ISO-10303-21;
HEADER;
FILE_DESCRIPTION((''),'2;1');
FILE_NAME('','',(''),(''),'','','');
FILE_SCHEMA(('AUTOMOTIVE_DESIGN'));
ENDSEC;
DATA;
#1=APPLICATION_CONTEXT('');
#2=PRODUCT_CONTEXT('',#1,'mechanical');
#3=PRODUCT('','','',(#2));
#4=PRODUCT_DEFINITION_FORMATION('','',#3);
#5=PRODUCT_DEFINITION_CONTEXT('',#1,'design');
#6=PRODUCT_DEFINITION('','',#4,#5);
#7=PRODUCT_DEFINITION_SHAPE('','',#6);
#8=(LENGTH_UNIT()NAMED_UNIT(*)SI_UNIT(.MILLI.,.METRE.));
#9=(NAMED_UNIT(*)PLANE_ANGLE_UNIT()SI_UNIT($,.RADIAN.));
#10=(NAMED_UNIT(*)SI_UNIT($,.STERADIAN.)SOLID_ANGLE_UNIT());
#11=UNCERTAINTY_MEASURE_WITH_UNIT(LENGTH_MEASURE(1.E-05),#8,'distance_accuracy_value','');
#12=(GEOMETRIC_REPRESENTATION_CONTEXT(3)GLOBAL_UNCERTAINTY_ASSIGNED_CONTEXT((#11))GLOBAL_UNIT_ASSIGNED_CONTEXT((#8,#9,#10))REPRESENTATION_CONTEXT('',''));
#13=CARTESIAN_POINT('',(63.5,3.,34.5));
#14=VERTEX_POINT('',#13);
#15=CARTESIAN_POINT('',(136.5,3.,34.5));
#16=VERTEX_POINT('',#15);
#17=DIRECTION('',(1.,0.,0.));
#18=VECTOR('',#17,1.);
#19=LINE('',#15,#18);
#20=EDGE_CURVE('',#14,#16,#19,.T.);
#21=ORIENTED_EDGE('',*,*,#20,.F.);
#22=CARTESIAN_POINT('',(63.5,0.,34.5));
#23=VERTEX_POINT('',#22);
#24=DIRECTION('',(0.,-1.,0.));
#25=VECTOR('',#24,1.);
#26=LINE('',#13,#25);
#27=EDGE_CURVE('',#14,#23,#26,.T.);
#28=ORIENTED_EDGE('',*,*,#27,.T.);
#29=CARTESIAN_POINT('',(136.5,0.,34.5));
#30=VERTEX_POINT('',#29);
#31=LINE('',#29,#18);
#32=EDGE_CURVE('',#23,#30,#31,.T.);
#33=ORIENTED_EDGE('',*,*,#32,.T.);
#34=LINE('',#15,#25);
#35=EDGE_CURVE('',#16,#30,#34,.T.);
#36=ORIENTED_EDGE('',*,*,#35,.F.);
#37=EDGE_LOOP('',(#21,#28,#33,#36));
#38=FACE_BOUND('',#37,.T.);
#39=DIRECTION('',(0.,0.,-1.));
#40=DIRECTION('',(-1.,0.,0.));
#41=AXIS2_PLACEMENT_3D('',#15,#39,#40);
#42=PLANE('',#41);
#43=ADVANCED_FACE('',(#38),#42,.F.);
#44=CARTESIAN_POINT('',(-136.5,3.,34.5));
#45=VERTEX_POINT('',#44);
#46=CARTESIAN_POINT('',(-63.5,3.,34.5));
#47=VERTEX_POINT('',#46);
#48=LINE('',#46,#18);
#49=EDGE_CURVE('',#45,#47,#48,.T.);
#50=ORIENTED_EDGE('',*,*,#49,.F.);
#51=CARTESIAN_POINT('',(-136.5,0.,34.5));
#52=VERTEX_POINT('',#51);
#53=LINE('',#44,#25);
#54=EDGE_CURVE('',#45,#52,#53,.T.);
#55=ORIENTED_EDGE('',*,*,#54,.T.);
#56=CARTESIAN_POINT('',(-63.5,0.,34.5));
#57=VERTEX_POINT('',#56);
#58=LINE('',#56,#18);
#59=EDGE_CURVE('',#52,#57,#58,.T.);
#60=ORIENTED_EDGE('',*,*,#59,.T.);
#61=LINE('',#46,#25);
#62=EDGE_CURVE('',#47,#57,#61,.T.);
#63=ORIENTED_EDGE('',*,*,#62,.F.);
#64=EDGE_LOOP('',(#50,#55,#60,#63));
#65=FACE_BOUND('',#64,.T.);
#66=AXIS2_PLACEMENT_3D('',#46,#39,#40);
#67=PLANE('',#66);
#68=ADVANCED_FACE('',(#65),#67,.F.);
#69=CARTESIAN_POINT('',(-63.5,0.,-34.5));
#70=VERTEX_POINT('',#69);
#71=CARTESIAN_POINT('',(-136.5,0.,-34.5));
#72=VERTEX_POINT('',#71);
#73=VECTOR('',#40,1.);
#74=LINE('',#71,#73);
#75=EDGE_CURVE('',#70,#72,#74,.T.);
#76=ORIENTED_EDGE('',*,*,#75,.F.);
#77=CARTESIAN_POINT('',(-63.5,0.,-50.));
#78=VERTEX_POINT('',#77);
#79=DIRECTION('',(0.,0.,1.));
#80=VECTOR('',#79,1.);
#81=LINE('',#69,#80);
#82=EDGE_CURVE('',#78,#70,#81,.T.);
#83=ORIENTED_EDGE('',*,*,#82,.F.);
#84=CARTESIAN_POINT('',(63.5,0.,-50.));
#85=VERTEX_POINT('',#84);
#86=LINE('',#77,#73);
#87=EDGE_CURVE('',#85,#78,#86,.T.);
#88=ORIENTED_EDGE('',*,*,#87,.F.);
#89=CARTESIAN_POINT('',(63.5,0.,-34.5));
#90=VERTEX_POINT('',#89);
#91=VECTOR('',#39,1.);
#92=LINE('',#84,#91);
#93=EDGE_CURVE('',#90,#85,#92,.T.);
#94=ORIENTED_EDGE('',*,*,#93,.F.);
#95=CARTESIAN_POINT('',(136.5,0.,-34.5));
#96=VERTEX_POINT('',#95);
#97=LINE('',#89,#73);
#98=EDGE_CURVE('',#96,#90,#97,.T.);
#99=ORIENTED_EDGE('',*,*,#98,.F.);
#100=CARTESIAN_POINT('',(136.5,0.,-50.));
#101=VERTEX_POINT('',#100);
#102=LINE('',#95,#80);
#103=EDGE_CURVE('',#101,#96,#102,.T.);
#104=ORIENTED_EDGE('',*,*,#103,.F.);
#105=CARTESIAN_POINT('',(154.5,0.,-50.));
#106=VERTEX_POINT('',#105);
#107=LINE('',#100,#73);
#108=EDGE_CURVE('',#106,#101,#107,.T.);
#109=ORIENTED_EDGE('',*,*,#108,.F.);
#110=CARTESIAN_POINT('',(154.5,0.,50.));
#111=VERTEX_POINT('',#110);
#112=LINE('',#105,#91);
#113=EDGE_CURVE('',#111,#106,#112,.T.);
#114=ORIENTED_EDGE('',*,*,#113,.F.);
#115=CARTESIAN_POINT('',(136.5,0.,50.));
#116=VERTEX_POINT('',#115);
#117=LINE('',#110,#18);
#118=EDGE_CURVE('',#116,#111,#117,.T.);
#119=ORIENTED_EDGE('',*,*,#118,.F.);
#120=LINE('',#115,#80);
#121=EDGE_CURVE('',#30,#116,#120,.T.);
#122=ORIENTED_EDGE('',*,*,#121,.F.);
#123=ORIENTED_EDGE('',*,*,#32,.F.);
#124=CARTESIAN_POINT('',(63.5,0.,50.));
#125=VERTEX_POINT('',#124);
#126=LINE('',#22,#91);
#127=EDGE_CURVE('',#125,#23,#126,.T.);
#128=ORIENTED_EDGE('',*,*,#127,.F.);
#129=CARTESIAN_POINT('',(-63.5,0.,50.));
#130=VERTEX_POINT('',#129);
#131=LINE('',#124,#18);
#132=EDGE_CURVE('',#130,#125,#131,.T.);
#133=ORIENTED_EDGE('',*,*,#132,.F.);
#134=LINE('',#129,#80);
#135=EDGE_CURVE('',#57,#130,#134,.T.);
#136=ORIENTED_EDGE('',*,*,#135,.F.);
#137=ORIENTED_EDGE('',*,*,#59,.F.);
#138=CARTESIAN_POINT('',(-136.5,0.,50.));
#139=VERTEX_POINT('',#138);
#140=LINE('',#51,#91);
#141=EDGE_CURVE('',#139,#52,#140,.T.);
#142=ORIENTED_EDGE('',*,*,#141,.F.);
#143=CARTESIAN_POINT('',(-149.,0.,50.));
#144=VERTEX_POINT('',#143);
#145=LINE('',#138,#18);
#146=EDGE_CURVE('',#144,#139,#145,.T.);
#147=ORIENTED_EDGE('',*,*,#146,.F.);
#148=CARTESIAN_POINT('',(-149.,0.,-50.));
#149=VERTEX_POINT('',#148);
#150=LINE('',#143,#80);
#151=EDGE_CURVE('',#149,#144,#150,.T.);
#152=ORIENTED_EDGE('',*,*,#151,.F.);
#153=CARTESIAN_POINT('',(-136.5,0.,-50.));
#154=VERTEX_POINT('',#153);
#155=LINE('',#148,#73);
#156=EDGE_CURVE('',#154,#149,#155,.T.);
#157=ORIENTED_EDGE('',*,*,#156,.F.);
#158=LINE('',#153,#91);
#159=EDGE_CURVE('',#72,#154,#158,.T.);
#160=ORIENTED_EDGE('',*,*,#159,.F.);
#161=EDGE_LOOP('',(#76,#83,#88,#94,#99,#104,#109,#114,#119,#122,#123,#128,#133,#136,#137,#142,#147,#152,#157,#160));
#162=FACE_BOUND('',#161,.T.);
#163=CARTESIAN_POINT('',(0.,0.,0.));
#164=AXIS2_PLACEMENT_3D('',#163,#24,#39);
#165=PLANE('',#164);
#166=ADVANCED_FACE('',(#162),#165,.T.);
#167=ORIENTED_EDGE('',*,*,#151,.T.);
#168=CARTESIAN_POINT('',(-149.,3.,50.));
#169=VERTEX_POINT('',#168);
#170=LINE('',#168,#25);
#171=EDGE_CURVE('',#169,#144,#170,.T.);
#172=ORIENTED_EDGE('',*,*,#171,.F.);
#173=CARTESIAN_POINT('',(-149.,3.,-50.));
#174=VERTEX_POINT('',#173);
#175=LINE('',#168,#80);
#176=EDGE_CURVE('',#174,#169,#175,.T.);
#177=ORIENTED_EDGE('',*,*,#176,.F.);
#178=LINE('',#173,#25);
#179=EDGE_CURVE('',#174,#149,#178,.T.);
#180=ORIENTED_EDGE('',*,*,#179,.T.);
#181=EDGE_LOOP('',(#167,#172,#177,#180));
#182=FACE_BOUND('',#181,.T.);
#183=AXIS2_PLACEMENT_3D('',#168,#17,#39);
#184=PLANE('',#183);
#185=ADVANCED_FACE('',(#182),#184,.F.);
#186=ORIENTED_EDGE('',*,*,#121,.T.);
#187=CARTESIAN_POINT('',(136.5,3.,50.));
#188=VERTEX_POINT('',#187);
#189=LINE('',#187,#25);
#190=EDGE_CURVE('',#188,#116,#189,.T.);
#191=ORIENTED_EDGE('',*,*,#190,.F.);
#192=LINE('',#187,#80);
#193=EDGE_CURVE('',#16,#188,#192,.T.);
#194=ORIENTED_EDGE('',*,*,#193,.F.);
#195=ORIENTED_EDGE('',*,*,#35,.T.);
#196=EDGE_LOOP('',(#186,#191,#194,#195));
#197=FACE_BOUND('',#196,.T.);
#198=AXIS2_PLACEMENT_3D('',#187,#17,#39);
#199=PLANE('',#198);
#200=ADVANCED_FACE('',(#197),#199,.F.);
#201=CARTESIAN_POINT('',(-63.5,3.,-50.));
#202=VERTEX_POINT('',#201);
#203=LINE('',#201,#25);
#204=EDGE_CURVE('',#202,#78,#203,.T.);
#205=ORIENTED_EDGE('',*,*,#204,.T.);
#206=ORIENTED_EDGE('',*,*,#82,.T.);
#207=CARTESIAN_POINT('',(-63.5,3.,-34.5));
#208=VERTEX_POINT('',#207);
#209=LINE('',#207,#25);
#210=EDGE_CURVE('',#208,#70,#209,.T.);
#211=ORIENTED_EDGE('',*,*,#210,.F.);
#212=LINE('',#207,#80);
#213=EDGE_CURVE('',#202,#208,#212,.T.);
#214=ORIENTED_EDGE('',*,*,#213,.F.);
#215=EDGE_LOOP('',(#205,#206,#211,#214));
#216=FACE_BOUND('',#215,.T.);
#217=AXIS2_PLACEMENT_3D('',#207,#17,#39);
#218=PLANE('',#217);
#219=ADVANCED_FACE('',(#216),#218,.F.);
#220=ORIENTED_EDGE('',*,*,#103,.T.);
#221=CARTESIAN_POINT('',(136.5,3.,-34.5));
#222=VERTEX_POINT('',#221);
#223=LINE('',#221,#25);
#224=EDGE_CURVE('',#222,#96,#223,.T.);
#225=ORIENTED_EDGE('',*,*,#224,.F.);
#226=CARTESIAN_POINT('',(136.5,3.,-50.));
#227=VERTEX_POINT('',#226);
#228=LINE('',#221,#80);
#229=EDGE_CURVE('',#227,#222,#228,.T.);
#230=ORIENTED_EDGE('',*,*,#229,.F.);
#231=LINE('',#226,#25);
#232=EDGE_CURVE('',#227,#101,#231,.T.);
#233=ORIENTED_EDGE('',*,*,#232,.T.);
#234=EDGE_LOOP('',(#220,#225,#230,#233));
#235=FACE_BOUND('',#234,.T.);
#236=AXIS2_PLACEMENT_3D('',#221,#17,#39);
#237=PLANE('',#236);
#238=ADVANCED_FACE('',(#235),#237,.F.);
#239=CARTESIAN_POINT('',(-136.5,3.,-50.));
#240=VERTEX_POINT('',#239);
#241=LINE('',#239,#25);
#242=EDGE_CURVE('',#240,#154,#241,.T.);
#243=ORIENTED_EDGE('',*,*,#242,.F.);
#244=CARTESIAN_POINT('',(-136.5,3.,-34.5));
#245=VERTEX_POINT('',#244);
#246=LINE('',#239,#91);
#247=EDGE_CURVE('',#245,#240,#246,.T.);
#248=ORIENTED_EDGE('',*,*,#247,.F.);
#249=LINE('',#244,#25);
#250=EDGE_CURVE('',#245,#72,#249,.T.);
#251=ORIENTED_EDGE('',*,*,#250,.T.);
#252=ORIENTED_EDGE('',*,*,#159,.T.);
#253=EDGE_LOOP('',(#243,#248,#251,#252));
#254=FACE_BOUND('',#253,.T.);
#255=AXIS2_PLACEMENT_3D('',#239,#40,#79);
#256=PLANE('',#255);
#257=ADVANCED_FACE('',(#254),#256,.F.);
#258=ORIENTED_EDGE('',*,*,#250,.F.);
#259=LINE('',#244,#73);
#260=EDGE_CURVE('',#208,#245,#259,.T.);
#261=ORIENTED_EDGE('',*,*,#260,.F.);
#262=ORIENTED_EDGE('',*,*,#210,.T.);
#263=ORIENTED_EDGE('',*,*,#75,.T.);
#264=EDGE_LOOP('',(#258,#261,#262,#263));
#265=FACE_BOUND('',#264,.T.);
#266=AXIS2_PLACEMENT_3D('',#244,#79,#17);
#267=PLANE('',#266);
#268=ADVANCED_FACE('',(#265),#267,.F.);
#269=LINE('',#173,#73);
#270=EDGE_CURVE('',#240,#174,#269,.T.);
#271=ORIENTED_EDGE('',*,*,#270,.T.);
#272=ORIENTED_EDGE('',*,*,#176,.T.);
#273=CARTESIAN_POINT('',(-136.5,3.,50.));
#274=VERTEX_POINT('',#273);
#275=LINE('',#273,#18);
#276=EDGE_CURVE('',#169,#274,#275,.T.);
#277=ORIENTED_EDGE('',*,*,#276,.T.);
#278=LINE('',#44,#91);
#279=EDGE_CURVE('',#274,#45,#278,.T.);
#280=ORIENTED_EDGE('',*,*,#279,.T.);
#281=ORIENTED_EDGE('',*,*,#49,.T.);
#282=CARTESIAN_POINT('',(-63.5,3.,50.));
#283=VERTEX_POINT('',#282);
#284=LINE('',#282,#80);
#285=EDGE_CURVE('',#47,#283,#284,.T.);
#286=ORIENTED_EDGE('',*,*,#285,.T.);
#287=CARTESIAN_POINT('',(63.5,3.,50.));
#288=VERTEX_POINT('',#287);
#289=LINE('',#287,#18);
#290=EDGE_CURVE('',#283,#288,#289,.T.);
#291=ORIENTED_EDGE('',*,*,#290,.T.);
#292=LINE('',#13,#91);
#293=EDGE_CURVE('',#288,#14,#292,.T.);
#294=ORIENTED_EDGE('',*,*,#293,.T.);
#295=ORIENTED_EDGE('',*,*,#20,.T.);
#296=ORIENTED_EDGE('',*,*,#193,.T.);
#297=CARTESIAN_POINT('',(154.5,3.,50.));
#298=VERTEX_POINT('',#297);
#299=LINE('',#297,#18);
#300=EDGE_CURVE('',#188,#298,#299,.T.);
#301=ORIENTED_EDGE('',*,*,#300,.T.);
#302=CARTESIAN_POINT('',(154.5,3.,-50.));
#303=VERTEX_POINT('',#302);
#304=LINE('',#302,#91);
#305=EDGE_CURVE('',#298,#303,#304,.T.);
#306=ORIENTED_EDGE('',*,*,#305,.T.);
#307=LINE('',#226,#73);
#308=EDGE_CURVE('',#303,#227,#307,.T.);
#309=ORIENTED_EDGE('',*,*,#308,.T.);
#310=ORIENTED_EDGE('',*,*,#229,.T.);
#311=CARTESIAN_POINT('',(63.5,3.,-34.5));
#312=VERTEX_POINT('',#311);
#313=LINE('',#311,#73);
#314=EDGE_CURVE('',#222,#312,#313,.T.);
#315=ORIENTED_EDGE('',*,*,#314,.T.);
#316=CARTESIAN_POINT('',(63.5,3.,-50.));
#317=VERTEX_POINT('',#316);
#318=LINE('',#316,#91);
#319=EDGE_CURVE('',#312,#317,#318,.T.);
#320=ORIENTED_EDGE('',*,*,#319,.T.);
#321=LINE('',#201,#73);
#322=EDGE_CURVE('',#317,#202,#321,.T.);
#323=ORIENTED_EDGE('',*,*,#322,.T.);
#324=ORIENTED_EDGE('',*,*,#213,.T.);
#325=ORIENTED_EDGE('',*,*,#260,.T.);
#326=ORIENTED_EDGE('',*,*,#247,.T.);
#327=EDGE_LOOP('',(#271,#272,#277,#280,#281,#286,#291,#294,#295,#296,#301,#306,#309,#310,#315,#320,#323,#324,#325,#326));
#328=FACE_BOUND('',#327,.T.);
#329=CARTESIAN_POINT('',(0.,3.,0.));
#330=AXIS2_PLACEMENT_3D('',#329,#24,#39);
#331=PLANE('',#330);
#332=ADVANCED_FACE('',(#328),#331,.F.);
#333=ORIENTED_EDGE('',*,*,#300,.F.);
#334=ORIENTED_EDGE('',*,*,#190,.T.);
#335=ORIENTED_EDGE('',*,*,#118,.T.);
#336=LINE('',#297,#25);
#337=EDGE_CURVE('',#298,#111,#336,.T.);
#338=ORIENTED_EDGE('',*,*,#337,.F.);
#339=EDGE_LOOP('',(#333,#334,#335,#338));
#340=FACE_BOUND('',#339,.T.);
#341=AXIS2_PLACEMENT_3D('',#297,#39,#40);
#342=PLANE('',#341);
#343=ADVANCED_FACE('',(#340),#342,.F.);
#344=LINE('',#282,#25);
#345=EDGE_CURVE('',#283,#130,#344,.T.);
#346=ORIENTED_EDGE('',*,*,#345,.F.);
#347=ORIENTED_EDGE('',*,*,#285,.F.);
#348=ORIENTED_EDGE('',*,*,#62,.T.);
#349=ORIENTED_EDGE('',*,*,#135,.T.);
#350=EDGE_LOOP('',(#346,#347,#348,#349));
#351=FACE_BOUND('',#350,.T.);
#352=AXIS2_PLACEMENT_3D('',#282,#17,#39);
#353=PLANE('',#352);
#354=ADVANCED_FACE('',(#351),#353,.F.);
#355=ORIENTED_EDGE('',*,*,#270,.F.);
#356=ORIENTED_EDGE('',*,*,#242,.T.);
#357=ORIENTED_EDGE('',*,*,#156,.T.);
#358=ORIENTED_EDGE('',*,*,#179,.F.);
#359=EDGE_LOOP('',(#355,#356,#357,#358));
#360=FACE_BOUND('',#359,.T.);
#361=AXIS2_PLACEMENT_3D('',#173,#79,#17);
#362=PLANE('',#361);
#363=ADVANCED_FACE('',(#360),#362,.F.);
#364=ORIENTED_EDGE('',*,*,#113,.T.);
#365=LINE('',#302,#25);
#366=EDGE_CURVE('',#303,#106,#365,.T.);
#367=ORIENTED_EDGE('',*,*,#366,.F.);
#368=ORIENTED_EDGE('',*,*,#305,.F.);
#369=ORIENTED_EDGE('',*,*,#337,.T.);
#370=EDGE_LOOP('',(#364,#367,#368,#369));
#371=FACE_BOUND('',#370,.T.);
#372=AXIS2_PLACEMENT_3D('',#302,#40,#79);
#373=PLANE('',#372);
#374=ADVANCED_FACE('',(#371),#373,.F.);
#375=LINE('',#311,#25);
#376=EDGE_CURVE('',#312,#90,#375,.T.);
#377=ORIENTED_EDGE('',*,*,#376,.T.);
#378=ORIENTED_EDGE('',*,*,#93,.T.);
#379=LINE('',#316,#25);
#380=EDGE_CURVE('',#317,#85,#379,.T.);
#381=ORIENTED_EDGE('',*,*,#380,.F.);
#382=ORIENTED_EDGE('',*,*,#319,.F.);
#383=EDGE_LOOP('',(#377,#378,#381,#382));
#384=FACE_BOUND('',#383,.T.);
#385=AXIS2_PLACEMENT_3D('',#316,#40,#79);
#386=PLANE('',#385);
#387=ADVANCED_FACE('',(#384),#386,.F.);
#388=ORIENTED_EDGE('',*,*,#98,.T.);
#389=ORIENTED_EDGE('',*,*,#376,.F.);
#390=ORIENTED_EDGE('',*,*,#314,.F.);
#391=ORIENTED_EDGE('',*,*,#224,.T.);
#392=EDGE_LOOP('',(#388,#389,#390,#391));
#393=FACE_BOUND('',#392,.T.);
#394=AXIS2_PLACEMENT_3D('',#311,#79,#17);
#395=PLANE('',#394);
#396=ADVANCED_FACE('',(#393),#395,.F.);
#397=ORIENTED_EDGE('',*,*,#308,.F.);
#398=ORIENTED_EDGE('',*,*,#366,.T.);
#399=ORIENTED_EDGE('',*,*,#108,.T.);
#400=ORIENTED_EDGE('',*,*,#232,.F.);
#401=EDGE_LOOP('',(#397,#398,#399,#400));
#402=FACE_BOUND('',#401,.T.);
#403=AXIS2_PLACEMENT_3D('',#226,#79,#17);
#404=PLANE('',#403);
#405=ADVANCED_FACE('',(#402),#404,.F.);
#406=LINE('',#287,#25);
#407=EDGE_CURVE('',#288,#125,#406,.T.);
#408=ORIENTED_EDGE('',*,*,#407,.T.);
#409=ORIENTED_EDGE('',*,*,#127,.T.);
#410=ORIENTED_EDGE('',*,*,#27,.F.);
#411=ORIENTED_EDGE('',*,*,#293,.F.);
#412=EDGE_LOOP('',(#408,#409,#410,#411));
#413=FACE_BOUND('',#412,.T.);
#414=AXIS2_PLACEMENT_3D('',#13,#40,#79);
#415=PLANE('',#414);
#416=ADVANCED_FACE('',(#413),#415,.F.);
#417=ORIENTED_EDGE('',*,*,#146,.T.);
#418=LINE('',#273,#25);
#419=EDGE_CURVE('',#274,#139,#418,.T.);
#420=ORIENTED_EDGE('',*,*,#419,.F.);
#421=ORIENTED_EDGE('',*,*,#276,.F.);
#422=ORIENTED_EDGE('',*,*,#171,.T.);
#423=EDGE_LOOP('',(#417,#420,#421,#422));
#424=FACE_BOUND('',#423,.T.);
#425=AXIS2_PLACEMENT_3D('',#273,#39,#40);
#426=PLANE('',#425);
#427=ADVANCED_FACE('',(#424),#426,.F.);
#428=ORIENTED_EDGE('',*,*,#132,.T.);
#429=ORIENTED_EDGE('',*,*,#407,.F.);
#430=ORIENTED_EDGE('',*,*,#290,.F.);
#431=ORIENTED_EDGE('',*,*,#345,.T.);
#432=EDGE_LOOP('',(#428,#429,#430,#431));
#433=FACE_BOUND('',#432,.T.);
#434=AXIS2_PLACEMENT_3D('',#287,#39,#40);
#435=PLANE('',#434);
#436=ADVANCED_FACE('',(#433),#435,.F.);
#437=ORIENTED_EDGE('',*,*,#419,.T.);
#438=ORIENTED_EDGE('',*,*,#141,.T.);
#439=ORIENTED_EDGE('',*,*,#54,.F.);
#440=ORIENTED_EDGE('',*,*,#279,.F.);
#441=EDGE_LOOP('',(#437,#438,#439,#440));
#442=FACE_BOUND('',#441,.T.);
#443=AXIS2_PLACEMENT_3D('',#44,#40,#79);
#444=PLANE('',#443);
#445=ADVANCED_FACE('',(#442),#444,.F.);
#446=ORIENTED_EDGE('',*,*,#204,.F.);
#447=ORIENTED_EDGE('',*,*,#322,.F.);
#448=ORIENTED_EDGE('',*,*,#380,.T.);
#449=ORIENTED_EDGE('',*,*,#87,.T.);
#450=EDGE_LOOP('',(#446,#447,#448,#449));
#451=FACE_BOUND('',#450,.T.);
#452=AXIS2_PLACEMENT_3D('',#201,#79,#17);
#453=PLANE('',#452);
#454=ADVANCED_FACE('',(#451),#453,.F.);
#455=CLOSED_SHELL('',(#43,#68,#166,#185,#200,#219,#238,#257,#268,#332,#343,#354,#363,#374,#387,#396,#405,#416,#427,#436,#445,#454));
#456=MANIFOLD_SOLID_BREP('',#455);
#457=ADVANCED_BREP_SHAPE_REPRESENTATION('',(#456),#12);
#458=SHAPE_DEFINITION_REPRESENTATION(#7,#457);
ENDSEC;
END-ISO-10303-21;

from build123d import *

# Parameters (mm, degrees)
BOSS_EXTRUDE1_DEPTH = 3


with BuildPart() as part:
    # Sketch1 → Boss-Extrude1 (new body)
    with BuildSketch(Plane(origin=(0, 0, 0), x_dir=(1, 0, 0), z_dir=(0, 1, 0))):
        Polygon((-149, -50), (-149, 50), (-136.5, 50), (-136.5, 34.5), (-63.5, 34.5), (-63.5, 50), (63.5, 50), (63.5, 34.5), (136.5, 34.5), (136.5, 50), (154.5, 50), (154.5, -50), (136.5, -50), (136.5, -34.5), (63.5, -34.5), (63.5, -50), (-63.5, -50), (-63.5, -34.5), (-136.5, -34.5), (-136.5, -50), align=None)
    extrude(amount=BOSS_EXTRUDE1_DEPTH)


solid = part.part
